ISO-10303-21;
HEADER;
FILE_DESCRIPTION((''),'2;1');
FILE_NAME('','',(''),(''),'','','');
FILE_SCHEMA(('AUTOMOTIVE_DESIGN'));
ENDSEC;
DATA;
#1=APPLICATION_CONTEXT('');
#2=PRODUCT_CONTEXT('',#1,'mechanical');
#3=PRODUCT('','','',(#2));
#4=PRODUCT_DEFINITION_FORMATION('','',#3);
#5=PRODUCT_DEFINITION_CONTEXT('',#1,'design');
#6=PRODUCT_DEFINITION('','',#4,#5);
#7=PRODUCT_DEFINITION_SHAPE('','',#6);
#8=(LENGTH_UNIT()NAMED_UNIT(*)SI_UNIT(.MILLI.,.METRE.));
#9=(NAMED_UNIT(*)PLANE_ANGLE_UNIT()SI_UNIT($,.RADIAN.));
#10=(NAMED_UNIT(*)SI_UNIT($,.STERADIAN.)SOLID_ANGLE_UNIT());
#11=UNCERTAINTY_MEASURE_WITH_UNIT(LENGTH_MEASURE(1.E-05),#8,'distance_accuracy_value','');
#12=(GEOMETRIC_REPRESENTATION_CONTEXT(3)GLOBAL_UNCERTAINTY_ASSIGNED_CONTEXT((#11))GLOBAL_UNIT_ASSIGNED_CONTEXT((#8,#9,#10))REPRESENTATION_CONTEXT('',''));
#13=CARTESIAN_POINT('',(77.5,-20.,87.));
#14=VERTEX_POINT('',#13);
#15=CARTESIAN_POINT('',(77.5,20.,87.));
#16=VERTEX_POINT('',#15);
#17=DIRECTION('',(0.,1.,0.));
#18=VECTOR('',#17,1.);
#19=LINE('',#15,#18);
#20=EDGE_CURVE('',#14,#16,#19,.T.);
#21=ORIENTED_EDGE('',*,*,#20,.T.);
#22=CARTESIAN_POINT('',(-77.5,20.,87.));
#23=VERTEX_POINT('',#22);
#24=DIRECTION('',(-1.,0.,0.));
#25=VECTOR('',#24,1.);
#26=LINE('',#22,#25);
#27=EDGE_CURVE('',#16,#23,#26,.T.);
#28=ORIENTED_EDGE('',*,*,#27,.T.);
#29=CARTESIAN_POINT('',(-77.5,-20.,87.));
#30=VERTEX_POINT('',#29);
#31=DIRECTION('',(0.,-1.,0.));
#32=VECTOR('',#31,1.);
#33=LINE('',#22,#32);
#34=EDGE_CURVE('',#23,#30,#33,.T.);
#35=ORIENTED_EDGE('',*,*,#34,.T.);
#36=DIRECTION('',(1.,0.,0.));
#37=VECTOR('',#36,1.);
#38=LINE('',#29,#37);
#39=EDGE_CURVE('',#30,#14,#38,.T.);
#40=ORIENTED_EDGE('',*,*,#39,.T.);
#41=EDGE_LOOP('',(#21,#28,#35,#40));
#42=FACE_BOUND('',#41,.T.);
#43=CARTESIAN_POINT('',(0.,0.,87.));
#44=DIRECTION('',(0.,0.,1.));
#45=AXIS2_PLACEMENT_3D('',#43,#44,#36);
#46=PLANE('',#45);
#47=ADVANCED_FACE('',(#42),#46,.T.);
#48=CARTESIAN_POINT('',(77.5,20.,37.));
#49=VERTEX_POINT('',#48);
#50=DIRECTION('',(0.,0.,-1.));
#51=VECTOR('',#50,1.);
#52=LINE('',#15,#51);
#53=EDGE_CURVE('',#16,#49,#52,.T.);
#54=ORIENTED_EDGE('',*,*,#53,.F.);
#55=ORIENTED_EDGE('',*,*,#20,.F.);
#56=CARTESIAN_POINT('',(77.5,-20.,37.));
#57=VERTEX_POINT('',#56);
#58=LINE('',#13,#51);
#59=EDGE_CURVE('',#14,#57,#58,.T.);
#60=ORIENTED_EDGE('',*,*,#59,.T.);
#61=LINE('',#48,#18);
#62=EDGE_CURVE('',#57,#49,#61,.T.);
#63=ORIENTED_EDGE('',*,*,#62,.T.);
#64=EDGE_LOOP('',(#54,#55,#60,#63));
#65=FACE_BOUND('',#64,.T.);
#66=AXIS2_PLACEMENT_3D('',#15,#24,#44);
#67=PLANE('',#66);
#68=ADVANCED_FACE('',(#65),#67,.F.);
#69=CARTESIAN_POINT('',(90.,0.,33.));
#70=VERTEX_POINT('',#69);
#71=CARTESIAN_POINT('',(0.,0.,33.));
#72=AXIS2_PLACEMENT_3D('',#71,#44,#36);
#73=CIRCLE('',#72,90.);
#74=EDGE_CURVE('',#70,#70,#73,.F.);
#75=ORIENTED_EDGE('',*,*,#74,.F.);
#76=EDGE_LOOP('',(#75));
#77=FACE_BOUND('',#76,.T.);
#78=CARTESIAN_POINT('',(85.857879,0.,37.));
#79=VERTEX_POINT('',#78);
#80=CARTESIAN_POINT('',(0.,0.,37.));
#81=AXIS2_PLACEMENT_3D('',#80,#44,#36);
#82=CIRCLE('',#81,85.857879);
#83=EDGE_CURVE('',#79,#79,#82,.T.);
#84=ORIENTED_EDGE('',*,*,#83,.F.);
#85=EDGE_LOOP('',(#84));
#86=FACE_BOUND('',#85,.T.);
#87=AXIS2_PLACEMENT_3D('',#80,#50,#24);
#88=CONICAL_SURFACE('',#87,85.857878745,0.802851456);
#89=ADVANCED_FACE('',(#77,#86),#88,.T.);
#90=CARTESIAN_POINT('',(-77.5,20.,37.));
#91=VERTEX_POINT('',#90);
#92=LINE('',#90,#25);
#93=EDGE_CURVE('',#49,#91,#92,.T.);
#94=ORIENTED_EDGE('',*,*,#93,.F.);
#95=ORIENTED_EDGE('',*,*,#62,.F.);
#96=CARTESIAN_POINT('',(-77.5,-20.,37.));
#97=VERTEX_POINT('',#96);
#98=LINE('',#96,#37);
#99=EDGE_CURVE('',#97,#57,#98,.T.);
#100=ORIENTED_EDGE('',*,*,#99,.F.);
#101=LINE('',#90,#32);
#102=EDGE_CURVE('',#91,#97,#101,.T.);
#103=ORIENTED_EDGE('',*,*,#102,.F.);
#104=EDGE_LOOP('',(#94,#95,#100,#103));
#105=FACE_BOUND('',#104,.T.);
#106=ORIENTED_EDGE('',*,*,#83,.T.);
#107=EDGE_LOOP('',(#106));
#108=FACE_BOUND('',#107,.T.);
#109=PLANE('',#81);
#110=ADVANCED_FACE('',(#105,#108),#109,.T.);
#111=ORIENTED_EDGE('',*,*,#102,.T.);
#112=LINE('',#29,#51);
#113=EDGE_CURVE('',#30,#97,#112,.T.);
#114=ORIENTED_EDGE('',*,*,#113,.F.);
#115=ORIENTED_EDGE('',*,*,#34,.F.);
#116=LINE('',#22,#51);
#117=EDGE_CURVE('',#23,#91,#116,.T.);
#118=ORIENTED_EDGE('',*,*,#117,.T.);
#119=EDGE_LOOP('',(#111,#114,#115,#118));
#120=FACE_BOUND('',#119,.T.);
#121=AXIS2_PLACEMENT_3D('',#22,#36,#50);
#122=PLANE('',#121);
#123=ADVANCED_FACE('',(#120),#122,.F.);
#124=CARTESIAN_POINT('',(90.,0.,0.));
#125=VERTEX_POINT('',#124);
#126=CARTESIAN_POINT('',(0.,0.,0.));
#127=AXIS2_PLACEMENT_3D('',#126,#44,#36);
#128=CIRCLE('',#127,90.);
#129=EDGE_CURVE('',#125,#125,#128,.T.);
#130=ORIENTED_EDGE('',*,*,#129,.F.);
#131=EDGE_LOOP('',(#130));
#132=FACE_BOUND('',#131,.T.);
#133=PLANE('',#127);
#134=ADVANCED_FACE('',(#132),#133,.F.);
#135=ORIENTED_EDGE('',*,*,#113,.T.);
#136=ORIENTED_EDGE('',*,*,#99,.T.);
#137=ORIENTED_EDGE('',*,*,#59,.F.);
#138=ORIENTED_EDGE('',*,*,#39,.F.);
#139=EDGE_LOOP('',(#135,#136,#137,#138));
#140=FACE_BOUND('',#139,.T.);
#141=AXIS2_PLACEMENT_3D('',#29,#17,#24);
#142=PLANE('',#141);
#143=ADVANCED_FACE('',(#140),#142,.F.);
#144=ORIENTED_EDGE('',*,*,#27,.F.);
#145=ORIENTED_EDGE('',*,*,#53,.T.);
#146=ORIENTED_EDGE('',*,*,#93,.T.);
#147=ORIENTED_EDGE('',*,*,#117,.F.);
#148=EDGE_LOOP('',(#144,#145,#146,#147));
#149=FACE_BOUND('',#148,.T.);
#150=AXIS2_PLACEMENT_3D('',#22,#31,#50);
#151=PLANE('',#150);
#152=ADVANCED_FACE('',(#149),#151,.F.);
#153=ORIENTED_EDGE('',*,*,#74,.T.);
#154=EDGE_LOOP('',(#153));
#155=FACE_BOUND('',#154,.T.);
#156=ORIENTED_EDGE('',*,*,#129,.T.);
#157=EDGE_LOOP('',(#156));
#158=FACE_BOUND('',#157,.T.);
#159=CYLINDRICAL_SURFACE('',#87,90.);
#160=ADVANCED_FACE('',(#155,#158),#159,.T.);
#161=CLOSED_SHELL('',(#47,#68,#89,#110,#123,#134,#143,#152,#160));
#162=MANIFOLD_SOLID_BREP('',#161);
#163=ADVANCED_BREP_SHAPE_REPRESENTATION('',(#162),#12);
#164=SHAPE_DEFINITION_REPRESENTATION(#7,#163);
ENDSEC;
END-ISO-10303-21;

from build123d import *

# Parameters (mm, degrees)
SKETCH3_R           = 90
BOSS_EXTRUDE1_DEPTH = 37
CHAMFER1_SIZE       = 4
CHAMFER1_SIZE2      = 4.142121255
SKETCH4_W           = 155
SKETCH4_H           = 40
BOSS_EXTRUDE2_DEPTH = 50


with BuildPart() as part:
    # Sketch3 → Boss-Extrude1 (new body)
    with BuildSketch(Plane.XY):
        Circle(SKETCH3_R)
    extrude(amount=BOSS_EXTRUDE1_DEPTH)

    # Chamfer1
    chamfer1_edges = [part.edges().sort_by_distance(p)[0] for p in [
        (-90, 0, 37),
    ]]
    chamfer1_side = [part.faces().sort_by_distance(p)[0] for p in [
        (-90, 0, 18.5),
    ]]
    chamfer(chamfer1_edges, length=CHAMFER1_SIZE, length2=CHAMFER1_SIZE2, reference=chamfer1_side[0])

    # Sketch4 → Boss-Extrude2 (add)
    with BuildSketch(Plane.XY.offset(37)):
        Rectangle(SKETCH4_W, SKETCH4_H)
    extrude(amount=BOSS_EXTRUDE2_DEPTH)


solid = part.part
